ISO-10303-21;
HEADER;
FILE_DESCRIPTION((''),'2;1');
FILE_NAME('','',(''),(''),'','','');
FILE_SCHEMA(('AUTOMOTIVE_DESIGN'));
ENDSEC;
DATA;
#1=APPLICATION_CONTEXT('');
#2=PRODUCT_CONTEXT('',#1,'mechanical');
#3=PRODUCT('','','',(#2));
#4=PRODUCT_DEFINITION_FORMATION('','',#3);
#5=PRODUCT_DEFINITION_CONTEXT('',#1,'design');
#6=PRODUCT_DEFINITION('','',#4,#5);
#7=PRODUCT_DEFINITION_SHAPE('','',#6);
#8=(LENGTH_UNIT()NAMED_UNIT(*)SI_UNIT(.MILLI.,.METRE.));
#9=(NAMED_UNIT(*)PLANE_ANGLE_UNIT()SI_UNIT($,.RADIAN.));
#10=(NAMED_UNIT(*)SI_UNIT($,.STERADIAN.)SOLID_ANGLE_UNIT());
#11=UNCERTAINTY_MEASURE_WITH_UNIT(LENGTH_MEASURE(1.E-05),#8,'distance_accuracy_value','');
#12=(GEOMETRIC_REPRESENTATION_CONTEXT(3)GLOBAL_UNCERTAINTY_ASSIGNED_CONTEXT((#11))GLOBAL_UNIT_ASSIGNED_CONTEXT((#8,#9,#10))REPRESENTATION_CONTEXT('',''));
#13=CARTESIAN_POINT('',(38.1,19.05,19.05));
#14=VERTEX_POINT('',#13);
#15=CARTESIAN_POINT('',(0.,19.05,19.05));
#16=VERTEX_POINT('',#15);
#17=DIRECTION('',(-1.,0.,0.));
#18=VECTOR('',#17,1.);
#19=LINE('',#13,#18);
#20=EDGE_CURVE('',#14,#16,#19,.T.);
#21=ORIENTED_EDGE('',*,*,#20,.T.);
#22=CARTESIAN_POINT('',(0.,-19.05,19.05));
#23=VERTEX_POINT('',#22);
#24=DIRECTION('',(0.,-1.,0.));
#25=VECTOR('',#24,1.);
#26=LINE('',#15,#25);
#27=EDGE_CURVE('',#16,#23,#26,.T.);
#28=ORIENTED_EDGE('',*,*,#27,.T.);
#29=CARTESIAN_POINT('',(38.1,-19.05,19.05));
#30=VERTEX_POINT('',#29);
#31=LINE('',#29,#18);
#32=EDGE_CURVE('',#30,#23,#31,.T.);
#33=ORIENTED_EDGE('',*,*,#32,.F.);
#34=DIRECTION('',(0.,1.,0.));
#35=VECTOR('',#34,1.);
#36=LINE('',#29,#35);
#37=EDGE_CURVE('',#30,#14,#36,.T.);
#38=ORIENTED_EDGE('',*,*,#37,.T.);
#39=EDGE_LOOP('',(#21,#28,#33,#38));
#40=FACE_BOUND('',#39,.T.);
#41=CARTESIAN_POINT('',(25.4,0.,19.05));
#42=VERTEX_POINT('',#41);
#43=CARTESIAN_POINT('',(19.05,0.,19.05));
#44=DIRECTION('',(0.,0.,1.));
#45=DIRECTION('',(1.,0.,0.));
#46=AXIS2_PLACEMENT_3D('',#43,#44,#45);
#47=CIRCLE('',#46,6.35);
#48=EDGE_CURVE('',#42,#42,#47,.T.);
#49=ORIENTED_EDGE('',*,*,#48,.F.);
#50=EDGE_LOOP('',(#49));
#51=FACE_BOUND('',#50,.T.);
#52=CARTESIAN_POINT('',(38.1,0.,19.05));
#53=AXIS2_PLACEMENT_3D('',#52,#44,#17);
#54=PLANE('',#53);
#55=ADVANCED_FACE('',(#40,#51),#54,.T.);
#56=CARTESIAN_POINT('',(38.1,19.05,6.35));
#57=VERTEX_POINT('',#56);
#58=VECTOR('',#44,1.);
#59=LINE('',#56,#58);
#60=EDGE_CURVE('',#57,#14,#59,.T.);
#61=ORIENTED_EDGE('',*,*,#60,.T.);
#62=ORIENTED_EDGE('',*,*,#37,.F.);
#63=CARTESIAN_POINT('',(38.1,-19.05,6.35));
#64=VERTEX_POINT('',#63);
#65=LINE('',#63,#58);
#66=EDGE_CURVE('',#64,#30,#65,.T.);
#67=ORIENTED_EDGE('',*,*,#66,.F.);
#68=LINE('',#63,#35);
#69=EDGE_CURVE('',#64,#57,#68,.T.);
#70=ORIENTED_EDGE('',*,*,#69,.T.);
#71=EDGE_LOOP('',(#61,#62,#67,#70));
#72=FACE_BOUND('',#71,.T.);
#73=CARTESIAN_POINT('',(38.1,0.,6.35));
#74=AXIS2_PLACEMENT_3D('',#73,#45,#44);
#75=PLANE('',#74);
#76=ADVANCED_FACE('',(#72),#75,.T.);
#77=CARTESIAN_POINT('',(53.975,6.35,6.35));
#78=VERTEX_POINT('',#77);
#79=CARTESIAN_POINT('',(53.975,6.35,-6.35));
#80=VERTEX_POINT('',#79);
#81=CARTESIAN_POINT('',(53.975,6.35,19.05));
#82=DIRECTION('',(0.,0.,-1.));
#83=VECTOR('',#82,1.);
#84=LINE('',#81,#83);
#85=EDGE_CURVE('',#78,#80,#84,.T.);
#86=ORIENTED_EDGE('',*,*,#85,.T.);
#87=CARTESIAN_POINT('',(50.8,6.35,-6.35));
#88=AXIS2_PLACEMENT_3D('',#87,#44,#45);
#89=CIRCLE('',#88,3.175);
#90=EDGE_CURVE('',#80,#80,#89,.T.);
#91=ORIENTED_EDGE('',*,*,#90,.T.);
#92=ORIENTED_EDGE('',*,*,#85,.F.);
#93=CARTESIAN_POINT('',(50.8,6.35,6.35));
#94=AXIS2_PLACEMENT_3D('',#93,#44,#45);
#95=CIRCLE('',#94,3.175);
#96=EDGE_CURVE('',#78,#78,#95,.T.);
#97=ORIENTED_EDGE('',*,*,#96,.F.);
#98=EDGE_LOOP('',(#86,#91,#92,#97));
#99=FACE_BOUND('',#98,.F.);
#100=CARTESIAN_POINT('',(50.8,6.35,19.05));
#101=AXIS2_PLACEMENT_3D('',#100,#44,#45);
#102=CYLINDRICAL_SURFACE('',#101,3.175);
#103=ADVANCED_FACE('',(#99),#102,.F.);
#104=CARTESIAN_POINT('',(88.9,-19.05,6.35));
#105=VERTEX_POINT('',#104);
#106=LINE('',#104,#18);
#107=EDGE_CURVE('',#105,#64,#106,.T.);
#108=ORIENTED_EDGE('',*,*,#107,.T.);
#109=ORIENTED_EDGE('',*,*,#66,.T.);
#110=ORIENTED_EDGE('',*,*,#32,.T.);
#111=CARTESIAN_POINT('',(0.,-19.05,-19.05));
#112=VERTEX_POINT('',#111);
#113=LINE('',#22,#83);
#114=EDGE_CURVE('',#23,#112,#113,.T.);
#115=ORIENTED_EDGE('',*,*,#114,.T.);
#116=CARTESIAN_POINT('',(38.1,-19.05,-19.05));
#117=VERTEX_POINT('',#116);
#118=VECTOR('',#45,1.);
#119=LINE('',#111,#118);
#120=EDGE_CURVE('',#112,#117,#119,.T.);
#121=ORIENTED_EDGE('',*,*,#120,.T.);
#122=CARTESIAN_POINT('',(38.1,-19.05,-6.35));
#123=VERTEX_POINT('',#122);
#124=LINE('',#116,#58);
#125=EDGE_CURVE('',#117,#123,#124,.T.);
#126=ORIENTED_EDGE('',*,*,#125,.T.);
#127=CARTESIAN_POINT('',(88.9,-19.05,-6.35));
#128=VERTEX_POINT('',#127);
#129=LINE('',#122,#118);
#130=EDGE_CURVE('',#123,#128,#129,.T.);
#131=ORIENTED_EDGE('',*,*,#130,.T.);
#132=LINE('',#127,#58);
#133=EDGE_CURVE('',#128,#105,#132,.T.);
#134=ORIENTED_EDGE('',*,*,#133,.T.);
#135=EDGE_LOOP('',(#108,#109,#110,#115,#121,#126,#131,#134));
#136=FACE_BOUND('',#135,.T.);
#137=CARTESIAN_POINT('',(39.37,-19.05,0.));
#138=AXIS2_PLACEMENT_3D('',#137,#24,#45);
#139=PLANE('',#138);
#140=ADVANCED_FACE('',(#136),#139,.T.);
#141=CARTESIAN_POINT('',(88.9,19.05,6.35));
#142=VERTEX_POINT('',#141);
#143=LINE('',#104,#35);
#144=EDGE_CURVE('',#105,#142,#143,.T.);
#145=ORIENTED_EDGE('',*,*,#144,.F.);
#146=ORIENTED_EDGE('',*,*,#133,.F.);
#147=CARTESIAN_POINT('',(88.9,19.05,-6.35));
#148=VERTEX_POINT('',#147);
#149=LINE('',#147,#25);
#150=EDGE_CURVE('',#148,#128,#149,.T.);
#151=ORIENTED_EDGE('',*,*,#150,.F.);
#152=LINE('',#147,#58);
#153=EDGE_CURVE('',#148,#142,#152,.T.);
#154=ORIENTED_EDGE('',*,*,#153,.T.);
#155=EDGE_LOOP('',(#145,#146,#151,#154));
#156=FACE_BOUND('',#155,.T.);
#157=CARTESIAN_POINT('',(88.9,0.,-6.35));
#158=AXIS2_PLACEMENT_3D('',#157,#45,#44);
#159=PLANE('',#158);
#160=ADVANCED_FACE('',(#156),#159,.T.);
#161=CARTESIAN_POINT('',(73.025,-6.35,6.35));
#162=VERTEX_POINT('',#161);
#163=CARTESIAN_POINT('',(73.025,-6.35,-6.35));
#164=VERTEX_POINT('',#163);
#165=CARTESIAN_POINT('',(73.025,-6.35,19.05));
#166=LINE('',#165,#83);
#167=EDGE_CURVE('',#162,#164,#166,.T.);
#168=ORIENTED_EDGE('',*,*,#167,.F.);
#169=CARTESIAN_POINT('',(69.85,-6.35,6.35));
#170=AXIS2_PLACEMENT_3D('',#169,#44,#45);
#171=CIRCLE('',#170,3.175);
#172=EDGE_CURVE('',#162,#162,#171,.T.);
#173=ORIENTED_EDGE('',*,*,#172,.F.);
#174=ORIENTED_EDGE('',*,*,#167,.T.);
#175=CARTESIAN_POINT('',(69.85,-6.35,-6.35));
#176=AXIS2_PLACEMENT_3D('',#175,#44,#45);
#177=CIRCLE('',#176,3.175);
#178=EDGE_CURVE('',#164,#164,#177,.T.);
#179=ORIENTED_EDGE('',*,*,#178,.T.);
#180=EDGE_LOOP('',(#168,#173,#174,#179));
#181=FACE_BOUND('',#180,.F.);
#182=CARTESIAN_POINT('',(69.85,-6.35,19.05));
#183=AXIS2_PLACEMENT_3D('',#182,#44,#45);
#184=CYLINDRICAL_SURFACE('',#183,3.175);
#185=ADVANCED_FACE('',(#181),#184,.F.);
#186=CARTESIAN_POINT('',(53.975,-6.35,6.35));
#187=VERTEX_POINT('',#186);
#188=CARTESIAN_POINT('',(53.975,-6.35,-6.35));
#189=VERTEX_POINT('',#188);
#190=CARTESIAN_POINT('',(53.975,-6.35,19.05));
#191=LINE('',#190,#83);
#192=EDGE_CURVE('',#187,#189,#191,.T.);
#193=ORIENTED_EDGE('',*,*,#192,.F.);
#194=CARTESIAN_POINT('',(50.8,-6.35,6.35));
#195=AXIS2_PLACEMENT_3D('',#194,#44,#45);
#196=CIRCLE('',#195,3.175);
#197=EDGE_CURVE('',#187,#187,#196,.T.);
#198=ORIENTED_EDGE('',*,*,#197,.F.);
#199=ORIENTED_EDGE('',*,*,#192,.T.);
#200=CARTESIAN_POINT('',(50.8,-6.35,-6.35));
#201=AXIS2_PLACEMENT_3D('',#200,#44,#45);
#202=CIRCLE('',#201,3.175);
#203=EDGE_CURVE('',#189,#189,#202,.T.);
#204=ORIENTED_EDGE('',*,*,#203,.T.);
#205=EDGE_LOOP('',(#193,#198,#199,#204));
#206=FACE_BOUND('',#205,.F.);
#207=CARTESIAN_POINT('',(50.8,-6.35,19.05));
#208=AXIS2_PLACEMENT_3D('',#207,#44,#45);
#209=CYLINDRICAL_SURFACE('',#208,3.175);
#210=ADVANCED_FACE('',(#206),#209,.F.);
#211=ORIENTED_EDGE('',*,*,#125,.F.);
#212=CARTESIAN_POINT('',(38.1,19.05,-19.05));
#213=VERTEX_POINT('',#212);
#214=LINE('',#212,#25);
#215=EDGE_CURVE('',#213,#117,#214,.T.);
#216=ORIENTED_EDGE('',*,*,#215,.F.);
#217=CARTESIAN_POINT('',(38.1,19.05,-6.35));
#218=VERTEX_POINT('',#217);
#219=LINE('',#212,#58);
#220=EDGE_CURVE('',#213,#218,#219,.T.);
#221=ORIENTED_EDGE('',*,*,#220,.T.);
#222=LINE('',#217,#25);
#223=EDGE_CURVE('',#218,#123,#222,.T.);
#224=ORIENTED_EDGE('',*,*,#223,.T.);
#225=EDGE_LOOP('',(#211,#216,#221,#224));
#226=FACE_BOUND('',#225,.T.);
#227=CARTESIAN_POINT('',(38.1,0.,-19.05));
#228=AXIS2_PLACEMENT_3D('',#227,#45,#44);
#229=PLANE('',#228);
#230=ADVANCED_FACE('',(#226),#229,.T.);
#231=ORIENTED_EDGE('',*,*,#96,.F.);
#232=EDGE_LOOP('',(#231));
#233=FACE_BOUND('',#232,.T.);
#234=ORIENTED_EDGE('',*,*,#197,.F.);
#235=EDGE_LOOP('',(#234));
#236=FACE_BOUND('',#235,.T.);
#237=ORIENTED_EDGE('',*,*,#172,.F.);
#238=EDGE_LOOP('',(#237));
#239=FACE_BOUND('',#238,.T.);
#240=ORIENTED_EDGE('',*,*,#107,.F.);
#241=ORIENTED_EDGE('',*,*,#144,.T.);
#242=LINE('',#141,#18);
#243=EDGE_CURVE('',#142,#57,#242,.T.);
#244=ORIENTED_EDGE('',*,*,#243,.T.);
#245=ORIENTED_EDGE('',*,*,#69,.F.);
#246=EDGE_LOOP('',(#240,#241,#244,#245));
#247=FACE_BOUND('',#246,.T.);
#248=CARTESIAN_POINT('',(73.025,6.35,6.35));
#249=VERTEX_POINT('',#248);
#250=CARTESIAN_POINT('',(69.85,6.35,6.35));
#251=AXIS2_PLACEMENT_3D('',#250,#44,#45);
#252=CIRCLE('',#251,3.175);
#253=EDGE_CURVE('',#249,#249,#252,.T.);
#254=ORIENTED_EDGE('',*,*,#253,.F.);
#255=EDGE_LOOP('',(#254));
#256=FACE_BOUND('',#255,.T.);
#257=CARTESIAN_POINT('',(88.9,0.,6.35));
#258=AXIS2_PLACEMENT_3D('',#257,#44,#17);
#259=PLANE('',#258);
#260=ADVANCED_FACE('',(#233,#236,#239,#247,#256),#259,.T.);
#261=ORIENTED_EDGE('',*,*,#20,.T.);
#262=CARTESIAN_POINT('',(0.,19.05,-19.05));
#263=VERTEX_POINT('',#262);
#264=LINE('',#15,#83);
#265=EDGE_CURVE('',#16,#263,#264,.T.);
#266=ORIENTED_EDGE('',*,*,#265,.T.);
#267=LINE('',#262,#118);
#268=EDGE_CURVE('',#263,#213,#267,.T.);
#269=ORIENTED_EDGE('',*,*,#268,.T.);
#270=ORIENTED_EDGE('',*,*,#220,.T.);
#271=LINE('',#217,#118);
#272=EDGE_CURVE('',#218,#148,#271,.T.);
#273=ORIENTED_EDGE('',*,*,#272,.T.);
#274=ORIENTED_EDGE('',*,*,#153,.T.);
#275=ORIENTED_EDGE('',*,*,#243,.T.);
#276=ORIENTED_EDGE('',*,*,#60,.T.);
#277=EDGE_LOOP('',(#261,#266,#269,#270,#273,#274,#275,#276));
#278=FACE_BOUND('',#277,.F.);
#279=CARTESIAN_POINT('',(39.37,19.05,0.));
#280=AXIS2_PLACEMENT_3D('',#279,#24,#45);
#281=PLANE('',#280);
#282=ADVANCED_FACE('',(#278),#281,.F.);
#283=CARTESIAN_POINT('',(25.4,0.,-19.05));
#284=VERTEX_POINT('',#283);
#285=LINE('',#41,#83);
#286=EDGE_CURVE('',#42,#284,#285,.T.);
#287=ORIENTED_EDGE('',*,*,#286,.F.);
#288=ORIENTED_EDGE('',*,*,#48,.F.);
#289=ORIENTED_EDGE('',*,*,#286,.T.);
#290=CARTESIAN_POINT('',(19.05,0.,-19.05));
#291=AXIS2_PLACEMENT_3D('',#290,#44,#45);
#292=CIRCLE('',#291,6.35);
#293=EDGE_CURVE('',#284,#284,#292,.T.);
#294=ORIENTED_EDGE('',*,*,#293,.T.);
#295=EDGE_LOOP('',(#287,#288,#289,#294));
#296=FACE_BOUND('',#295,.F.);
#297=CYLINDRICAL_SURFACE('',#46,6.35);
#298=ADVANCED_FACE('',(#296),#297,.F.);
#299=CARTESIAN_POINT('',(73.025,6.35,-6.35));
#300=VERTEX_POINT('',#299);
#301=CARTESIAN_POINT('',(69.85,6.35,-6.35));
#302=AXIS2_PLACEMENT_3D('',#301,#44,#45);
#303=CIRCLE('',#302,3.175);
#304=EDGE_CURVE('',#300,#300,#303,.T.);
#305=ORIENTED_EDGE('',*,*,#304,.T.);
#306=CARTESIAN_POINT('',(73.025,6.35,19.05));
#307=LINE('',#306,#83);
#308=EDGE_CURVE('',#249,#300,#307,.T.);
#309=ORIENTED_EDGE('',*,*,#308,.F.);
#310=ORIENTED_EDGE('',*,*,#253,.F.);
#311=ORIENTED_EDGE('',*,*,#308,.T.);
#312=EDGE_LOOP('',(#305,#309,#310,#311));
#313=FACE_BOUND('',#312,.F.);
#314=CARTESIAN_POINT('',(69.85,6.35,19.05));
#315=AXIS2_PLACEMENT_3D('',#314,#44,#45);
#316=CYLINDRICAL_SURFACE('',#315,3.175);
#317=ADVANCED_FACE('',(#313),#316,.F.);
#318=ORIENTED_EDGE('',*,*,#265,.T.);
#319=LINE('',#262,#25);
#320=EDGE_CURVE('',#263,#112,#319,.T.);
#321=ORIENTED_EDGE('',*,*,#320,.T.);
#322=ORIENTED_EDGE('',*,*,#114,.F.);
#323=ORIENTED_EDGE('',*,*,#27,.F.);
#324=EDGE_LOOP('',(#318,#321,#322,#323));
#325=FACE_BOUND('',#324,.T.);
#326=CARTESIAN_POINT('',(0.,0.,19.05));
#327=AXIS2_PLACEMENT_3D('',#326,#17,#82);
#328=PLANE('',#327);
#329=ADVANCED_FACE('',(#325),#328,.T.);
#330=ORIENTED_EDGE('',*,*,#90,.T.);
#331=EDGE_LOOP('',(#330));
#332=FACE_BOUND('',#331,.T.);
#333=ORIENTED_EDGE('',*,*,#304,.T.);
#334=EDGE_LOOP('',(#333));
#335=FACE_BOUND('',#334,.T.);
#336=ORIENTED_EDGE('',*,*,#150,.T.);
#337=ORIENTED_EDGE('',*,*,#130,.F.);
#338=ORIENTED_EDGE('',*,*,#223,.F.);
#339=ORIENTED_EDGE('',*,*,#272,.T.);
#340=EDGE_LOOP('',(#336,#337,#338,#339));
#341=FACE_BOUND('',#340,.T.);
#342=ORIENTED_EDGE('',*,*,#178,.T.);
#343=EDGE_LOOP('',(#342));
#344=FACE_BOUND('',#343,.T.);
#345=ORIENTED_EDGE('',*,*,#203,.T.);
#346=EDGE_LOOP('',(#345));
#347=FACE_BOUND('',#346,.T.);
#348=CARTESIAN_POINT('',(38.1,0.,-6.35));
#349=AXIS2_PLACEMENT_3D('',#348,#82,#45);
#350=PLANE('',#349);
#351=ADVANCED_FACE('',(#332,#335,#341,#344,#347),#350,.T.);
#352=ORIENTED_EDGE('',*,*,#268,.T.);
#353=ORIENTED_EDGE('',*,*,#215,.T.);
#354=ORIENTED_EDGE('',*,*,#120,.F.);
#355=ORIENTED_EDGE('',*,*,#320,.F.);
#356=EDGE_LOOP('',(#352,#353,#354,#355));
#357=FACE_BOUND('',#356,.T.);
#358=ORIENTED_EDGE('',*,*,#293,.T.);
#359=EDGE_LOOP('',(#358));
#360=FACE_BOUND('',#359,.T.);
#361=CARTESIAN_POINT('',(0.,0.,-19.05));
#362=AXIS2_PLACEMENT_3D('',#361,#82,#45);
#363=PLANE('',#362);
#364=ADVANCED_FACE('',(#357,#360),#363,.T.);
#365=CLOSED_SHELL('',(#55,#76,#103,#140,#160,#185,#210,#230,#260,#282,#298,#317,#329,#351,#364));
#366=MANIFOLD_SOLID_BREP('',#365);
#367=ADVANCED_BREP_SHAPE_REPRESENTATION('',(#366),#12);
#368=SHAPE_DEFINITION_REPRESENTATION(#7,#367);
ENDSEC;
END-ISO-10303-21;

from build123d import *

# Parameters (mm, degrees)
F1_DEPTH = 19.05
F2_R     = 6.35
F2_R_2   = 3.175
F3_DEPTH = 38.101


with BuildPart() as f1:
    # F0 (on Front) → F1 (new body, symmetric)
    with BuildSketch(Plane.XZ):
        Polygon((38.1, 19.05), (0, 19.05), (0, -19.05), (38.1, -19.05), (38.1, -6.35), (88.9, -6.35), (88.9, 6.35), (38.1, 6.35), align=None)
    extrude(amount=F1_DEPTH, both=True)

    # F2 (on face) → F3 (cut, through all)
    with BuildSketch(Plane.XY.offset(19.05)):
        with Locations((19.05, 0)):
            Circle(F2_R)
        with Locations((50.8, 6.35)):
            Circle(F2_R_2)
        with Locations((50.8, -6.35)):
            Circle(F2_R_2)
        with Locations((69.85, -6.35)):
            Circle(F2_R_2)
        with Locations((69.85, 6.35)):
            Circle(F2_R_2)
    extrude(amount=-F3_DEPTH, mode=Mode.SUBTRACT)


solid = f1.part
